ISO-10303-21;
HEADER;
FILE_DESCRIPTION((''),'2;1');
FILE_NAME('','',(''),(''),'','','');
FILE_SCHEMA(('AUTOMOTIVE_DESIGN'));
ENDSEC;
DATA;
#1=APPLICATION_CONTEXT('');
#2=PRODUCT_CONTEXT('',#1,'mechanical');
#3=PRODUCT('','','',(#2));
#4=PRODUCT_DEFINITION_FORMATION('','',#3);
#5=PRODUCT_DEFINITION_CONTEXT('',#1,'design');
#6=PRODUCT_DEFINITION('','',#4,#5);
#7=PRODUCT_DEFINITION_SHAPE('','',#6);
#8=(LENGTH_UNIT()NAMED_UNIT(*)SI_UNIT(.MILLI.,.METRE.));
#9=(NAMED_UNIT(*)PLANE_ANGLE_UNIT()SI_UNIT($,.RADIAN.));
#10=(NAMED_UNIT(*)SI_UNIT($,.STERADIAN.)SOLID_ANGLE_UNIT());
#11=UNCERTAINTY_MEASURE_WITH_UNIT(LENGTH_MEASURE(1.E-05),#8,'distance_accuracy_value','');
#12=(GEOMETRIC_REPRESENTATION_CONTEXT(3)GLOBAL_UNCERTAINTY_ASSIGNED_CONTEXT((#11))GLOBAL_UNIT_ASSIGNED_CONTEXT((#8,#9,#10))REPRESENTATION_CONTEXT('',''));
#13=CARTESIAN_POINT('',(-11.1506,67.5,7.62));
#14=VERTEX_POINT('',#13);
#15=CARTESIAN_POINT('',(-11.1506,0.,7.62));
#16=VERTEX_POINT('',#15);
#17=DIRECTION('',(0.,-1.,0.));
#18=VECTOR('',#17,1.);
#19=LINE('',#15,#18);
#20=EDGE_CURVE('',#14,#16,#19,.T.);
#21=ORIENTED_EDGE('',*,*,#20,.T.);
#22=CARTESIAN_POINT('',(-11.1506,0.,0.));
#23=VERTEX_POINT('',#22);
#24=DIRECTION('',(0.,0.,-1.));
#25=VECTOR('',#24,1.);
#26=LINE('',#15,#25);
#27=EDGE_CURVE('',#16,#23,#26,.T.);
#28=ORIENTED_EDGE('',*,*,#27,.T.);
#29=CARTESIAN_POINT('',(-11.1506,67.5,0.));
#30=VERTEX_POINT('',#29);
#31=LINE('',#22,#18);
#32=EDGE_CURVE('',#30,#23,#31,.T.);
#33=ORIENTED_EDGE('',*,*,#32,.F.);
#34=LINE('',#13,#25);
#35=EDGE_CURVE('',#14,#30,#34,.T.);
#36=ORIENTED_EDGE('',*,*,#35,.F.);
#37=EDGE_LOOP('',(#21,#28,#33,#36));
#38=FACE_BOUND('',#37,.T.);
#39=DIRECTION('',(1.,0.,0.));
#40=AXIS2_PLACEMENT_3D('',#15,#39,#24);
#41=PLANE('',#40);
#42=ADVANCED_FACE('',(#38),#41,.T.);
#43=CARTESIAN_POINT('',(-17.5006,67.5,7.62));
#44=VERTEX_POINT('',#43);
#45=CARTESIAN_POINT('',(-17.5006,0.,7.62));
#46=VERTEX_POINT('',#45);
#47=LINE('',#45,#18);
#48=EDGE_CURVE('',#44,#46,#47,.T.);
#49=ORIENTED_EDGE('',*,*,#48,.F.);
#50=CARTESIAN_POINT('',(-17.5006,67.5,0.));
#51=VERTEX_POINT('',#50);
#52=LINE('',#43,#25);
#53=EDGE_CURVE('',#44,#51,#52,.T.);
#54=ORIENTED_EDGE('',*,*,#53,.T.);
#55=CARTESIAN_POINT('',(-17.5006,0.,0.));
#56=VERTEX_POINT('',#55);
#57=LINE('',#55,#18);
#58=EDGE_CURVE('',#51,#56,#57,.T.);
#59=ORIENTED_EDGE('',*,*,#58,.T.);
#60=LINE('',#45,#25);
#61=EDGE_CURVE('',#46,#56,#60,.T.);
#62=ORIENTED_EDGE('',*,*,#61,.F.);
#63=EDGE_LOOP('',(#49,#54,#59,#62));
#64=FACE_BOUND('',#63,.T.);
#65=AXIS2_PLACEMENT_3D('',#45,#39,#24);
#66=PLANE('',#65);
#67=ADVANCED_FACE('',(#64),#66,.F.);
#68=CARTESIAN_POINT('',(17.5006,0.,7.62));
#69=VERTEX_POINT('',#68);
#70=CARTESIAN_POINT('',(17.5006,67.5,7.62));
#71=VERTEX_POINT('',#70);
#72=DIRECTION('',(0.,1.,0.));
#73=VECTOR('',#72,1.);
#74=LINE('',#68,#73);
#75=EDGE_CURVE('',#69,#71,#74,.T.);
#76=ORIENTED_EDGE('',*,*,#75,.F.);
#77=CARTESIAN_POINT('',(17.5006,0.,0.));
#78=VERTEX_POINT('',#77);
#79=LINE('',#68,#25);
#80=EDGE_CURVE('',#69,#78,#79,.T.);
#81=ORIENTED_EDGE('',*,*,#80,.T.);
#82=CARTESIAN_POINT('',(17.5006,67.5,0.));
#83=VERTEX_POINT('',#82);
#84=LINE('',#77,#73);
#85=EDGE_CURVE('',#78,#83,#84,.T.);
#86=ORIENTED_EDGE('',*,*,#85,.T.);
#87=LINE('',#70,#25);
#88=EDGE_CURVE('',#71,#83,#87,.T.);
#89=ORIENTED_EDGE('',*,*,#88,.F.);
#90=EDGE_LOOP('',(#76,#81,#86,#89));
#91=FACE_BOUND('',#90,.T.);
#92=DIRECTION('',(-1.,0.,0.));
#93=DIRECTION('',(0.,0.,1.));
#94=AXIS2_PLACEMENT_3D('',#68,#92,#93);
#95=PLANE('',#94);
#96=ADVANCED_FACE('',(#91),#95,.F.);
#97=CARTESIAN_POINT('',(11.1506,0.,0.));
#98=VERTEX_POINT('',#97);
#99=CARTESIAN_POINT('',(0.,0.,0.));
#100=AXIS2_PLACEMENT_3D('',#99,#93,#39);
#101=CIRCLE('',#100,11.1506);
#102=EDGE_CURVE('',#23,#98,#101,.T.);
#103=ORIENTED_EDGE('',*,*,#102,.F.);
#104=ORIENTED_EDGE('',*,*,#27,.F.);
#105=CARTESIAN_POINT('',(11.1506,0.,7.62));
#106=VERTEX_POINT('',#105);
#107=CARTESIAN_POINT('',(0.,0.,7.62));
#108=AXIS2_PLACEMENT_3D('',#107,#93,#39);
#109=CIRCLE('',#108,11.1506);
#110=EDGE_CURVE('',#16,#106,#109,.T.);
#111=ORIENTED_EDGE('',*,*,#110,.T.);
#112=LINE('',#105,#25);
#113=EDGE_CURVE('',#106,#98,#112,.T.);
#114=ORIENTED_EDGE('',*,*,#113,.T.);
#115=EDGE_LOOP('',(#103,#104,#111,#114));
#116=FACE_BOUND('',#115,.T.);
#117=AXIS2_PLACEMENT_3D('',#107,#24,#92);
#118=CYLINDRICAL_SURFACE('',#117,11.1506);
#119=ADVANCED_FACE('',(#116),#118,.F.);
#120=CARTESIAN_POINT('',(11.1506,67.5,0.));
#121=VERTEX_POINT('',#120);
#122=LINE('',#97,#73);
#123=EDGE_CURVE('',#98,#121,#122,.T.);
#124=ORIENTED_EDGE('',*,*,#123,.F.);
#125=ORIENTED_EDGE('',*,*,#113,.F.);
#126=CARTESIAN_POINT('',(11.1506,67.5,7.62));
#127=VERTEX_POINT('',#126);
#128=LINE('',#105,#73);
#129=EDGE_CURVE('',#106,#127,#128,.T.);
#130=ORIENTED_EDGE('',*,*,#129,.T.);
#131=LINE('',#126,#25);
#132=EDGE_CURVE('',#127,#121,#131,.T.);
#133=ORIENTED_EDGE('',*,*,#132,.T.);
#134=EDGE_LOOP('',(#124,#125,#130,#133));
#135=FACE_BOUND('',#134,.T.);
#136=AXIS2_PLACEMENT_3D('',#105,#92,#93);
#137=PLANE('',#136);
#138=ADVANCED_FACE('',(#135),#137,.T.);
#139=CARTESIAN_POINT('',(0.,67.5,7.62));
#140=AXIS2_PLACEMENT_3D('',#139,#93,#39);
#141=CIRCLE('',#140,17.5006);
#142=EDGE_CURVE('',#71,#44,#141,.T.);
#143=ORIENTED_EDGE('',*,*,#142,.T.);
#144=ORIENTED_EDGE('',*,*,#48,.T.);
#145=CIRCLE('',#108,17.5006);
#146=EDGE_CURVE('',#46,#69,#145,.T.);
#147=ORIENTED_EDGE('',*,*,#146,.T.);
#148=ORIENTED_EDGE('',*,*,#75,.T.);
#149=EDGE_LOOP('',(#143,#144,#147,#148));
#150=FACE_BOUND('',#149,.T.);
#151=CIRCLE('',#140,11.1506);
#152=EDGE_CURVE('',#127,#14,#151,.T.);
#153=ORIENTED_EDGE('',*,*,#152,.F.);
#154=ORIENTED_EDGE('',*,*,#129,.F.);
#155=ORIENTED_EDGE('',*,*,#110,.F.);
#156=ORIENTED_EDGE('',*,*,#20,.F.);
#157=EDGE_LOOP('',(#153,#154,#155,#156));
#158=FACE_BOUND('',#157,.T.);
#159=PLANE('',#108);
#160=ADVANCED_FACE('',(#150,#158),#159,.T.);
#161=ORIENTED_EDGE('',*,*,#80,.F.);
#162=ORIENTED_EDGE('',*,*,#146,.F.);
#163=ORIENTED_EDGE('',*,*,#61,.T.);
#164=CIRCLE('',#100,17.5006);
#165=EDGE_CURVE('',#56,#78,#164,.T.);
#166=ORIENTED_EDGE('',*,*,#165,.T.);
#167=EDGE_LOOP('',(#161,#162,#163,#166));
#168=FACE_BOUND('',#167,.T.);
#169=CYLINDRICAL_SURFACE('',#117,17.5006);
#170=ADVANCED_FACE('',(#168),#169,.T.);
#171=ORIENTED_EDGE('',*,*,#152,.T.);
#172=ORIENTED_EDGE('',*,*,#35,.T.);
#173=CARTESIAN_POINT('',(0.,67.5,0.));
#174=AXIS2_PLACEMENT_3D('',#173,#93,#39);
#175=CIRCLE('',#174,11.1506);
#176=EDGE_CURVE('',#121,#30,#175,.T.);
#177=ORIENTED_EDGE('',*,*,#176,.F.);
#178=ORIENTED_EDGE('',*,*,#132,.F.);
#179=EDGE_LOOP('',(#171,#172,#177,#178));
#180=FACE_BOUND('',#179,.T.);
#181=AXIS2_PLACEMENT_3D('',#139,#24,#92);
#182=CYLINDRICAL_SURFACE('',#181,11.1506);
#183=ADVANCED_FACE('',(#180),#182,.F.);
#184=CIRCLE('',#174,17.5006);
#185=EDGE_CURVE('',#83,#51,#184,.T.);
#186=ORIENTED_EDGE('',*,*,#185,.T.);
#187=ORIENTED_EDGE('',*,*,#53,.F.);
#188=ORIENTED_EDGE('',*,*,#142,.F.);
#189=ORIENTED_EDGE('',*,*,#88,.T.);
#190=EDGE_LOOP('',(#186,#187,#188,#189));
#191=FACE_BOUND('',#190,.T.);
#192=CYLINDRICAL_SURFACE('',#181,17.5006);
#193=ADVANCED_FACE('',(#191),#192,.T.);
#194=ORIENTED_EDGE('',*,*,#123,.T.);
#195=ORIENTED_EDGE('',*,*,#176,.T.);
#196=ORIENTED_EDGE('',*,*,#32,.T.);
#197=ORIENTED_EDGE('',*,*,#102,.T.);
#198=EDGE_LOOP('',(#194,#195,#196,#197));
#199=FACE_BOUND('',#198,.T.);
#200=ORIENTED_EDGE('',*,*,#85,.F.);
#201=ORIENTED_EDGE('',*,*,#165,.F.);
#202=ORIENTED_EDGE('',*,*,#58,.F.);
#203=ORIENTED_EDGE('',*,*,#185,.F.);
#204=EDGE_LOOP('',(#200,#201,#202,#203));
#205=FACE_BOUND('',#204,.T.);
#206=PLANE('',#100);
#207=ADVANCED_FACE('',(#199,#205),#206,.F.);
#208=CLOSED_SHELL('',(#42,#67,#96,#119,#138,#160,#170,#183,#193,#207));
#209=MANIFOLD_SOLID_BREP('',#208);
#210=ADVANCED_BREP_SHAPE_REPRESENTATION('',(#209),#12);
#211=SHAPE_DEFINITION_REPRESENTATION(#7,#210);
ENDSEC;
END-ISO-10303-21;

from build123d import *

# Parameters (mm, degrees)
BOSS_EXTRUDE1_DEPTH = 7.62


with BuildPart() as part:
    # Sketch1 → Boss-Extrude1 (new body)
    with BuildSketch(Plane.XY):
        with BuildLine():
            Line((-17.5006, 0), (-17.5006, 67.5))
            ThreePointArc((-17.5006, 67.5), (0, 85.0006), (17.5006, 67.5))
            Line((17.5006, 67.5), (17.5006, 0))
            ThreePointArc((17.5006, 0), (0, -17.5006), (-17.5006, 0))
        make_face()
        with BuildLine():
            Line((-11.1506, 0), (-11.1506, 67.5))
            ThreePointArc((-11.1506, 67.5), (0, 78.6506), (11.1506, 67.5))
            Line((11.1506, 67.5), (11.1506, 0))
            ThreePointArc((11.1506, 0), (0, -11.1506), (-11.1506, 0))
        make_face(mode=Mode.SUBTRACT)
    extrude(amount=BOSS_EXTRUDE1_DEPTH)


solid = part.part
